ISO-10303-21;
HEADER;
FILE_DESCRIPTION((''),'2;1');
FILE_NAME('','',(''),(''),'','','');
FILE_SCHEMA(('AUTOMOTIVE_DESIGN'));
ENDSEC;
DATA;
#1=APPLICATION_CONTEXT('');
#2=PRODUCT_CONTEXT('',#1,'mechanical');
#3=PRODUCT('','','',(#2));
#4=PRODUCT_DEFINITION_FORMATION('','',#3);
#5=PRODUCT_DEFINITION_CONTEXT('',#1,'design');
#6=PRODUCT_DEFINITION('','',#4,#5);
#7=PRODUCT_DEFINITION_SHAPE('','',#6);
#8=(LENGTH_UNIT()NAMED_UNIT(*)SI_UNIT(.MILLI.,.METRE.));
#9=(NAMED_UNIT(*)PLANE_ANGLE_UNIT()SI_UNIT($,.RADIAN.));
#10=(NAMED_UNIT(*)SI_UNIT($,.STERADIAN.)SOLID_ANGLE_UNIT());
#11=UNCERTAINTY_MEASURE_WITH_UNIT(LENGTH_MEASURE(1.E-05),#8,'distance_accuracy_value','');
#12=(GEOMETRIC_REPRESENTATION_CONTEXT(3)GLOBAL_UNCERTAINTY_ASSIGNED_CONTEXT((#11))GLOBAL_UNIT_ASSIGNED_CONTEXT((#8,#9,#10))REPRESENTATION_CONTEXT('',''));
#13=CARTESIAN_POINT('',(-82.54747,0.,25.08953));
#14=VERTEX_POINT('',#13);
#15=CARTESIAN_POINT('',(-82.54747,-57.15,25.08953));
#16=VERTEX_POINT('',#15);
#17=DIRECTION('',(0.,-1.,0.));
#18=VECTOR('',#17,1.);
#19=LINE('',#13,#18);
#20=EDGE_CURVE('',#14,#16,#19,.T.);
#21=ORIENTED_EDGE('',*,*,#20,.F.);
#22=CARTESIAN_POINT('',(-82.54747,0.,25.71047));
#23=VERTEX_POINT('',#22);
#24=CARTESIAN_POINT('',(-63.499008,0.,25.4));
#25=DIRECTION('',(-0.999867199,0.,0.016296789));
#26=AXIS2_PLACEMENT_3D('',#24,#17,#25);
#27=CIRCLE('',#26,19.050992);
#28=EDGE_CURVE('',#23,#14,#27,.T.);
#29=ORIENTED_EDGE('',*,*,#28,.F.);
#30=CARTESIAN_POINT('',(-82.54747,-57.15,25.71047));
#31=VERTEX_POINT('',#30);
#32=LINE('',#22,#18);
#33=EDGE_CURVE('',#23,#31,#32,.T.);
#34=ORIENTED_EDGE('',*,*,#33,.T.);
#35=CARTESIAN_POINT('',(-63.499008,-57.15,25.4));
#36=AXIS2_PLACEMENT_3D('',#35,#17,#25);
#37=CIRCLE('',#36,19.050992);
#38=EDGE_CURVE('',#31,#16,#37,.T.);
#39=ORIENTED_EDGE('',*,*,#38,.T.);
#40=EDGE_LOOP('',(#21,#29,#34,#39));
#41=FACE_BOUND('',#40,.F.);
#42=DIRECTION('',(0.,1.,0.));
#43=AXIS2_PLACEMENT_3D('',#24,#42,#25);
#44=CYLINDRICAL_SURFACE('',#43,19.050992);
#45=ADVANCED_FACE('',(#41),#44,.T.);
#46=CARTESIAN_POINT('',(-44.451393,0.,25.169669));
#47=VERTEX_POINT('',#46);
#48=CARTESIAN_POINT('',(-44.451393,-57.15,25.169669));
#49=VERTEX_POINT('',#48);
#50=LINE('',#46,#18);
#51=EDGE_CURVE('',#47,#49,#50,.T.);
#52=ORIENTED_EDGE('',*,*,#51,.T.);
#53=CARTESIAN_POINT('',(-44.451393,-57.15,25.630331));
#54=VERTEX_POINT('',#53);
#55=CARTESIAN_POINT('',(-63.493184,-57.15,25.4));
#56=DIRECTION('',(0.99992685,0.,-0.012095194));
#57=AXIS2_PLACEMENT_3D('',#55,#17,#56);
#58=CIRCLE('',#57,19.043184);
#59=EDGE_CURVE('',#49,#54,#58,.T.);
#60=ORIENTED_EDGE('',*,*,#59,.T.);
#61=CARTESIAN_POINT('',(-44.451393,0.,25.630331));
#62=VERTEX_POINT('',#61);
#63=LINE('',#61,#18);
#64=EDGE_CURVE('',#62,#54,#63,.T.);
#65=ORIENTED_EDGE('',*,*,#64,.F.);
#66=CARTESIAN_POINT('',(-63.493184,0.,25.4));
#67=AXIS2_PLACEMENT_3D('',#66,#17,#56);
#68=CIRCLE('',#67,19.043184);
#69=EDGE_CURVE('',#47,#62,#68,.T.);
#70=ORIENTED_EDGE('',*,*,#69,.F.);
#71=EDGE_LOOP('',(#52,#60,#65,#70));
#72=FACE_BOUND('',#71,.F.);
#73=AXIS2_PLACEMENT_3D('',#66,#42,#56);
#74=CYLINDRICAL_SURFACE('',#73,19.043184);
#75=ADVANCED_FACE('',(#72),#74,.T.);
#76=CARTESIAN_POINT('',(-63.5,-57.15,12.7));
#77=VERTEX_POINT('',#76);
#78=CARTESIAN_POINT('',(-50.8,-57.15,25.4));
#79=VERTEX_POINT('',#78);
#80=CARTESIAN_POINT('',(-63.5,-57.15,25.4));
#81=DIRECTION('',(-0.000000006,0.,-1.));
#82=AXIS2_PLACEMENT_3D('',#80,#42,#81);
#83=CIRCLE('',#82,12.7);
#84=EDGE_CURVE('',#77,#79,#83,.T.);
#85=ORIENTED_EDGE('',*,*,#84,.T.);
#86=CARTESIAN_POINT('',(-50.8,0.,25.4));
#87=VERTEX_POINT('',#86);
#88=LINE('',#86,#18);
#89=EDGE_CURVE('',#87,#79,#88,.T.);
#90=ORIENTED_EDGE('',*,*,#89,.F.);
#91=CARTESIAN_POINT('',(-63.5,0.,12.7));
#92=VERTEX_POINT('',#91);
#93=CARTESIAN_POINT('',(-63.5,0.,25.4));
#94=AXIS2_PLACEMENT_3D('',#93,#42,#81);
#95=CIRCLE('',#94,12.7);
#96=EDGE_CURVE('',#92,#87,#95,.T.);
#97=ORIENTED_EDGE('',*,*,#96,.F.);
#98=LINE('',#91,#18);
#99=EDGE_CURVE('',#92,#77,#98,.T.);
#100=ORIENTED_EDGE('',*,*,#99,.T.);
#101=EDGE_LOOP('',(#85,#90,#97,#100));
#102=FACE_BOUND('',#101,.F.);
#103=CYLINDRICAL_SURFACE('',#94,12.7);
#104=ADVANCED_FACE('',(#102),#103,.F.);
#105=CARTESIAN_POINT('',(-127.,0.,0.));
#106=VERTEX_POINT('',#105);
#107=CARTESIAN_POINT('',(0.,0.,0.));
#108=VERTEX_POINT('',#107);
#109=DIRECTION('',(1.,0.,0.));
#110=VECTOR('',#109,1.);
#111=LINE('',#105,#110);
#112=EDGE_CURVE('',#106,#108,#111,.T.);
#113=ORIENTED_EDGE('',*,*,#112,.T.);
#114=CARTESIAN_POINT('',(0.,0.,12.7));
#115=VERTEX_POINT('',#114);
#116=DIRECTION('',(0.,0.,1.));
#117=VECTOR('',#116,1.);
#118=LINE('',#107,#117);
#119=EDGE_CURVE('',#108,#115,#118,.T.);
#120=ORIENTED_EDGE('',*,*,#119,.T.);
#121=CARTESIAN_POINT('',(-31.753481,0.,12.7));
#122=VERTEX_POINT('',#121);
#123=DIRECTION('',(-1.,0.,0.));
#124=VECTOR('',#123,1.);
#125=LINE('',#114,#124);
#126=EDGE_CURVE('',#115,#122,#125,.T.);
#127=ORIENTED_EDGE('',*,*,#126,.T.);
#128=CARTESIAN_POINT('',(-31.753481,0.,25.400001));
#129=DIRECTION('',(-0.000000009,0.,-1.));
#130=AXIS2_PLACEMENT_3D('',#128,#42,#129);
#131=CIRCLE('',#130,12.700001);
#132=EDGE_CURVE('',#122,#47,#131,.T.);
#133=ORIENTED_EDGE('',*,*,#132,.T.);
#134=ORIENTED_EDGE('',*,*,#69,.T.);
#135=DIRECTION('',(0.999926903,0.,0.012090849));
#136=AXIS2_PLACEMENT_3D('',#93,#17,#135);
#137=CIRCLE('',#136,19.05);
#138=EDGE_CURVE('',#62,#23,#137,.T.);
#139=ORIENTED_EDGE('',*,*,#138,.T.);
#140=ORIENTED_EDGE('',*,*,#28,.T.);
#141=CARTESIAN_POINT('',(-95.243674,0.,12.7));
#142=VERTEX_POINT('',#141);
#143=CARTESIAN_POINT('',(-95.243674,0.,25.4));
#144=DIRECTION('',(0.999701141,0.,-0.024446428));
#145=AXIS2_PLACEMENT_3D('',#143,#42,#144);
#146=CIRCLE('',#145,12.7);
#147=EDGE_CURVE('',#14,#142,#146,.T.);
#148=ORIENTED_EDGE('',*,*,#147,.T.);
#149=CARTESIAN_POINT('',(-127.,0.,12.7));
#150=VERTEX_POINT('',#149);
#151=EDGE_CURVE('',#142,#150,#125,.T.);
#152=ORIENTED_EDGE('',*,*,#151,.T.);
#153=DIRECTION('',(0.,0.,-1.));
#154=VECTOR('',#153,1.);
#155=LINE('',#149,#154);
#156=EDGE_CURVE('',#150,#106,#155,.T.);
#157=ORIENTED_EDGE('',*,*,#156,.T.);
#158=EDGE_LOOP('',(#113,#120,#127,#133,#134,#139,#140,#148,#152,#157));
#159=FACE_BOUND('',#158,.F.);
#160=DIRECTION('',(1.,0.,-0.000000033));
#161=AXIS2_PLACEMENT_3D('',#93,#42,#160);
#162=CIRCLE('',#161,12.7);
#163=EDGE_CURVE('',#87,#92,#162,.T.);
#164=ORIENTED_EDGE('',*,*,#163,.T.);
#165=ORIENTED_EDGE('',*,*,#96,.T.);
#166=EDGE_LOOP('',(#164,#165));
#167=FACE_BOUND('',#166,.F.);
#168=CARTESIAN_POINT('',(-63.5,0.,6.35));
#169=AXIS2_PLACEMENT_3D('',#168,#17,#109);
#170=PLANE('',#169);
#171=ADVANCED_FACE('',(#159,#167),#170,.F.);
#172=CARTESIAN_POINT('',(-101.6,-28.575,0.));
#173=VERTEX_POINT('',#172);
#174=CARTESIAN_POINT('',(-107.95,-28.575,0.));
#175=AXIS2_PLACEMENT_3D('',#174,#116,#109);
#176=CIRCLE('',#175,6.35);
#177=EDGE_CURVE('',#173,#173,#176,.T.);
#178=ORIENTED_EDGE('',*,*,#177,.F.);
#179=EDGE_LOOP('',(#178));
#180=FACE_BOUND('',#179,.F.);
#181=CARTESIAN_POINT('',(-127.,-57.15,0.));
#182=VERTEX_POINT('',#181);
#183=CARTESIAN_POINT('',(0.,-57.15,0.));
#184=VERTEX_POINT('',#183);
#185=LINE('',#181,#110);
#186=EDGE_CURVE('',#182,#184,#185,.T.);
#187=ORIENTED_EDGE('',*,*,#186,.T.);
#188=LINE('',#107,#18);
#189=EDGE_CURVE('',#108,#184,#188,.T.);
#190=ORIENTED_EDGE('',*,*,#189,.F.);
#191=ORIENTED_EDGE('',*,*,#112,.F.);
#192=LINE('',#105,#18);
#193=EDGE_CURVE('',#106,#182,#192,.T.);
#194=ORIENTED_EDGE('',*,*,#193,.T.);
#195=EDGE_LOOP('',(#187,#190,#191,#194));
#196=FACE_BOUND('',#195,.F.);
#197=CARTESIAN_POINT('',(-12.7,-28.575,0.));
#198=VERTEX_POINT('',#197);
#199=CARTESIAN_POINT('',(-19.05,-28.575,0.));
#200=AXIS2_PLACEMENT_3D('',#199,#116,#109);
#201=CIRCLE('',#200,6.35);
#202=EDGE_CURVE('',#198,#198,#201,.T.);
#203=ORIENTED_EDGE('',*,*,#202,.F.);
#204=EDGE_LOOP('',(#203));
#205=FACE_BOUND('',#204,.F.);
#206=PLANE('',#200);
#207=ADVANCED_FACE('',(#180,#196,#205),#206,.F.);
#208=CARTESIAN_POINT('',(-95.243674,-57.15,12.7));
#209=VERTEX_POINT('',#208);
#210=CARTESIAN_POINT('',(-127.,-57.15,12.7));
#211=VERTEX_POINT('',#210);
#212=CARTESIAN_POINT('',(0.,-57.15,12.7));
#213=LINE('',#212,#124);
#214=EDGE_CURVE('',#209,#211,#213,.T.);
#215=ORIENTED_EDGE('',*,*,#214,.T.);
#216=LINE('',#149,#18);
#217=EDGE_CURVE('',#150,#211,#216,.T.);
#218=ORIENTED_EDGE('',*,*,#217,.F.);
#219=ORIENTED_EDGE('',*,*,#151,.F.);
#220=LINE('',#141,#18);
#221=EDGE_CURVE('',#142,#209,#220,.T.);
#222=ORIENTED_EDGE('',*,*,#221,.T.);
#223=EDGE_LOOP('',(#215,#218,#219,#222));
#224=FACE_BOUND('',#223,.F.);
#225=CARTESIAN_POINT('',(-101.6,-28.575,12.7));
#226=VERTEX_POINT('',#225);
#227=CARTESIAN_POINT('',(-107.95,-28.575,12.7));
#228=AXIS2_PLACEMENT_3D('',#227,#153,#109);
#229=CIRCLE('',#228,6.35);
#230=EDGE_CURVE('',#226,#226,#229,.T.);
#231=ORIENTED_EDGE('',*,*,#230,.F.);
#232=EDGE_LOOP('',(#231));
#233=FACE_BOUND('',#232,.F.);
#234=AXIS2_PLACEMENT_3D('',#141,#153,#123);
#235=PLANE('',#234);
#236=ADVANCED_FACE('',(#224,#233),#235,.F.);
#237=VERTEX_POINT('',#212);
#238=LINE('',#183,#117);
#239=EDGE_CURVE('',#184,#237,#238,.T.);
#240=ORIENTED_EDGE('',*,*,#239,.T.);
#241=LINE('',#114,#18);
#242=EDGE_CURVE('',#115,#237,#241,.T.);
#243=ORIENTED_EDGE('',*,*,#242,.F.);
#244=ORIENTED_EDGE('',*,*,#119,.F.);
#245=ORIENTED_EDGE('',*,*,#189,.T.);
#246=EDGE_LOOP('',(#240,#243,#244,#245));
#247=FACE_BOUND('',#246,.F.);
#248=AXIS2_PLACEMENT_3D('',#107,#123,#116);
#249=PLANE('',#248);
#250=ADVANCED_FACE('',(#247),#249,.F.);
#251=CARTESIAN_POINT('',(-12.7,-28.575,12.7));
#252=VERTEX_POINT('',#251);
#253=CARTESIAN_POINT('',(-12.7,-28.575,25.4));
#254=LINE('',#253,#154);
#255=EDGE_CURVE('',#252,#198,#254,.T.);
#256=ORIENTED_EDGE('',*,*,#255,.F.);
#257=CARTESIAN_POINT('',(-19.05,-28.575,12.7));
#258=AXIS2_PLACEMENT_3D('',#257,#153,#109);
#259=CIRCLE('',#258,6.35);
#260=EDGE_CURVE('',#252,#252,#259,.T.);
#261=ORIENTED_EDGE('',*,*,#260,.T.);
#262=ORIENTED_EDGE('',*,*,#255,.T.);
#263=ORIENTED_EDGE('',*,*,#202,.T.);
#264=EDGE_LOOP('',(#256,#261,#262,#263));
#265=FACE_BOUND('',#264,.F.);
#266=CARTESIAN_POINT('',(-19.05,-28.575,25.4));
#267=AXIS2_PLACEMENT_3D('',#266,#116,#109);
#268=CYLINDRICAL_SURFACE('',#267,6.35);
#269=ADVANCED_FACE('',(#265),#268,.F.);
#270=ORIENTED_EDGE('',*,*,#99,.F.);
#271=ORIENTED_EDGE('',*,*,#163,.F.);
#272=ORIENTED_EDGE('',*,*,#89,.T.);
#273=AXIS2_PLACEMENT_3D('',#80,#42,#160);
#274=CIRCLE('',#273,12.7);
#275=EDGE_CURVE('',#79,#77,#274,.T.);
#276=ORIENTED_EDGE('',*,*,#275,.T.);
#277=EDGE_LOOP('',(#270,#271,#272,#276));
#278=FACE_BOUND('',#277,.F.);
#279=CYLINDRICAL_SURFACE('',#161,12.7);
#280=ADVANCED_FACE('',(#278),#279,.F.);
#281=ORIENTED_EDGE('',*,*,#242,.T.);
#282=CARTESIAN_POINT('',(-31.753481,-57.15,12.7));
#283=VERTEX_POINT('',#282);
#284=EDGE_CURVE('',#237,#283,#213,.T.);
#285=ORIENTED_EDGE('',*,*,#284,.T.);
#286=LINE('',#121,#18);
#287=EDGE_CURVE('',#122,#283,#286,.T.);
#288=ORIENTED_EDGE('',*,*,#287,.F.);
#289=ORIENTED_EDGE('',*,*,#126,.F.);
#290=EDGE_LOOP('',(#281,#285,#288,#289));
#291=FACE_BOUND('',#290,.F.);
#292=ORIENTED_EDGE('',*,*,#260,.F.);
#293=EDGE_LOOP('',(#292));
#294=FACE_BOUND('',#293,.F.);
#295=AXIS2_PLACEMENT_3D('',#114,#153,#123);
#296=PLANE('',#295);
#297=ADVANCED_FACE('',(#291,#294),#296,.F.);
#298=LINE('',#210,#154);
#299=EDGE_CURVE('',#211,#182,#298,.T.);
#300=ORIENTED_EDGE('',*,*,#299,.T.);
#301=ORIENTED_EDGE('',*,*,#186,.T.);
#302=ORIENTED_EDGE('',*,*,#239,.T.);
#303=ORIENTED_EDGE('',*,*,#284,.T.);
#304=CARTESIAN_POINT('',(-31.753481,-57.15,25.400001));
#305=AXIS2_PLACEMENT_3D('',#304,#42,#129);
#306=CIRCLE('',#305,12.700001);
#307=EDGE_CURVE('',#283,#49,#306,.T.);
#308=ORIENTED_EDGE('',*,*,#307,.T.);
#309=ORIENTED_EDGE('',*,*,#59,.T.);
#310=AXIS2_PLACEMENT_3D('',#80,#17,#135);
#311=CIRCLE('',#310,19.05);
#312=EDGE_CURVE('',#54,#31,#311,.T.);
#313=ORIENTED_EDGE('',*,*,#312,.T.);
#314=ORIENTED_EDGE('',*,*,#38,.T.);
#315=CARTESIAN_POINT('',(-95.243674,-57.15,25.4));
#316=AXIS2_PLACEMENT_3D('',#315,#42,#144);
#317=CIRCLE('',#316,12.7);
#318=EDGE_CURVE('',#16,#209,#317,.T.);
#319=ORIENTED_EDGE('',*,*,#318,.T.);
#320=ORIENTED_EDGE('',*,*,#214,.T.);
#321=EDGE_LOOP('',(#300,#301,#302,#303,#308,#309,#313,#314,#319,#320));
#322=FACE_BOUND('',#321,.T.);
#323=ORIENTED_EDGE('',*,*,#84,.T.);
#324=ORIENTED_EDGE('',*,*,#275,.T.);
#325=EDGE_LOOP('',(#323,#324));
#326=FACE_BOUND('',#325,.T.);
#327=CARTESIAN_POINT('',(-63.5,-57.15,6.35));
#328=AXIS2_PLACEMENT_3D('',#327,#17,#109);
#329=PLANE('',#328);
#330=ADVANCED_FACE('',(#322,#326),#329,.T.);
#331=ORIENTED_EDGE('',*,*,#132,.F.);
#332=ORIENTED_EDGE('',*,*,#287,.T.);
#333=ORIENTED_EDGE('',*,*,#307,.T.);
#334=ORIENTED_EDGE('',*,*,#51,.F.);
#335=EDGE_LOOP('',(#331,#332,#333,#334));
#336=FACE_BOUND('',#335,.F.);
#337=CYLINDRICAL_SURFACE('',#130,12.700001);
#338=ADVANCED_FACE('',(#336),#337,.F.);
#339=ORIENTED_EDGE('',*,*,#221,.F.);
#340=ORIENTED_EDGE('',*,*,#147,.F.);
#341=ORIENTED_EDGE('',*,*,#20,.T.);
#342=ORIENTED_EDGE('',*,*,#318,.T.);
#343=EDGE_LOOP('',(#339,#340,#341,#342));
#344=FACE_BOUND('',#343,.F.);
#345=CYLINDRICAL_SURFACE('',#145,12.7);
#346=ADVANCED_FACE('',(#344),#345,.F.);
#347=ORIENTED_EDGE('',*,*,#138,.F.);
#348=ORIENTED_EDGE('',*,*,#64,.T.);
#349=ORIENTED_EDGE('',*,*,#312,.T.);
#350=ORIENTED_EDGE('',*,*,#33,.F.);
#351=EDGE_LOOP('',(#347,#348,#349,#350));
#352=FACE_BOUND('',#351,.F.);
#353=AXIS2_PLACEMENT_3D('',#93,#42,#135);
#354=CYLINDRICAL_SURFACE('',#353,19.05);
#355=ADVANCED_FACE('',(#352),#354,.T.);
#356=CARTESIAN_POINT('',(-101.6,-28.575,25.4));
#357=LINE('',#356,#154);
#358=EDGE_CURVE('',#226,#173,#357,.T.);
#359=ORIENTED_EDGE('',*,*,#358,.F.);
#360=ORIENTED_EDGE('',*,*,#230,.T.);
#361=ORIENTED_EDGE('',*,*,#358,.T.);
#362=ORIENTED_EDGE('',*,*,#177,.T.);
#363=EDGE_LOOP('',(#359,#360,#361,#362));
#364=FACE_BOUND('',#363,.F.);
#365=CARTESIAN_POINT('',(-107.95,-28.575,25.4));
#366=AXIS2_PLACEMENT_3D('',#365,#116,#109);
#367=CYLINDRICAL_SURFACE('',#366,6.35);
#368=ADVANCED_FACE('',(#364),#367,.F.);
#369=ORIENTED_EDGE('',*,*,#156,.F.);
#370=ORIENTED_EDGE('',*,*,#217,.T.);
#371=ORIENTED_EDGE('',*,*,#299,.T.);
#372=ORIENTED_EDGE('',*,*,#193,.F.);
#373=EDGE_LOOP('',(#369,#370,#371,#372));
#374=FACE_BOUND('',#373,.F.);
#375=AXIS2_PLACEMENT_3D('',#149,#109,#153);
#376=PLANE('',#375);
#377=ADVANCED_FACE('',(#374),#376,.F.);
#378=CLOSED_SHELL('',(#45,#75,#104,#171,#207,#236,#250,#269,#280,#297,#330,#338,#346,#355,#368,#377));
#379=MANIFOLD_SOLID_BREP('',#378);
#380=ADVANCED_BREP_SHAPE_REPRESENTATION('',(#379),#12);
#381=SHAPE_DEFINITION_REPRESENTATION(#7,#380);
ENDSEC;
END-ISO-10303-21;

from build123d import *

# Parameters (mm, degrees)
F1_DEPTH  = 57.15
F2_R      = 6.35
F3_DEPTH  = 25.4
F3_FACE_R = 6.35
F4_DEPTH  = 25.401


with BuildPart() as f1:
    # F0 (on Front) → F1 (new body)
    with BuildSketch(Plane.XZ):
        Polygon((-127, 0), (0, 0), (0, 12.7), (-31.753481, 12.7), (-63.5, 12.7), (-95.243674, 12.7), (-127, 12.7), align=None)
        with BuildLine():
            Line((-63.5, 12.7), (-31.753481, 12.7))
            ThreePointArc((-31.753481, 12.7), (-40.651931, 16.338676), (-44.451393, 25.169669))
            ThreePointArc((-44.451393, 25.169669), (-44.453481, 25.4), (-44.451393, 25.630331))
            ThreePointArc((-44.451393, 25.630331), (-63.459927, 44.449958), (-82.54747, 25.71047))
            ThreePointArc((-82.54747, 25.71047), (-82.543674, 25.4), (-82.54747, 25.08953))
            ThreePointArc((-82.54747, 25.08953), (-86.373865, 16.310639), (-95.243674, 12.7))
            Line((-95.243674, 12.7), (-63.5, 12.7))
        make_face()
        with BuildLine():
            ThreePointArc((-50.8, 25.4), (-54.519744, 16.419744), (-63.5, 12.7))
            ThreePointArc((-63.5, 12.7), (-72.480256, 34.380256), (-50.8, 25.4))
        make_face(mode=Mode.SUBTRACT)
        with BuildLine():
            ThreePointArc((-44.451393, 25.630331), (-44.453481, 25.4), (-44.451393, 25.169669))
            ThreePointArc((-44.451393, 25.169669), (-44.45, 25.4), (-44.451393, 25.630331))
        make_face()
        with BuildLine():
            ThreePointArc((-82.54747, 25.71047), (-82.55, 25.4), (-82.54747, 25.08953))
            ThreePointArc((-82.54747, 25.08953), (-82.543674, 25.4), (-82.54747, 25.71047))
        make_face()
    extrude(amount=F1_DEPTH)

    # F2 (on Top) → F3 (join)
    with BuildSketch(Plane.XY):
        with Locations((-19.05, -28.575)):
            Circle(F2_R)
        with Locations((-107.95, -28.575)):
            Circle(F2_R)
    extrude(amount=F3_DEPTH)

    # F3_face (on face) → F4 (cut, through all)
    with BuildSketch(Plane(origin=(-107.95, -28.575, 25.4), x_dir=(1, 0, 0), z_dir=(0, 0, 1))):
        Circle(F3_FACE_R)
        with Locations((88.9, 0)):
            Circle(F3_FACE_R)
    extrude(amount=-F4_DEPTH, mode=Mode.SUBTRACT)


solid = f1.part
